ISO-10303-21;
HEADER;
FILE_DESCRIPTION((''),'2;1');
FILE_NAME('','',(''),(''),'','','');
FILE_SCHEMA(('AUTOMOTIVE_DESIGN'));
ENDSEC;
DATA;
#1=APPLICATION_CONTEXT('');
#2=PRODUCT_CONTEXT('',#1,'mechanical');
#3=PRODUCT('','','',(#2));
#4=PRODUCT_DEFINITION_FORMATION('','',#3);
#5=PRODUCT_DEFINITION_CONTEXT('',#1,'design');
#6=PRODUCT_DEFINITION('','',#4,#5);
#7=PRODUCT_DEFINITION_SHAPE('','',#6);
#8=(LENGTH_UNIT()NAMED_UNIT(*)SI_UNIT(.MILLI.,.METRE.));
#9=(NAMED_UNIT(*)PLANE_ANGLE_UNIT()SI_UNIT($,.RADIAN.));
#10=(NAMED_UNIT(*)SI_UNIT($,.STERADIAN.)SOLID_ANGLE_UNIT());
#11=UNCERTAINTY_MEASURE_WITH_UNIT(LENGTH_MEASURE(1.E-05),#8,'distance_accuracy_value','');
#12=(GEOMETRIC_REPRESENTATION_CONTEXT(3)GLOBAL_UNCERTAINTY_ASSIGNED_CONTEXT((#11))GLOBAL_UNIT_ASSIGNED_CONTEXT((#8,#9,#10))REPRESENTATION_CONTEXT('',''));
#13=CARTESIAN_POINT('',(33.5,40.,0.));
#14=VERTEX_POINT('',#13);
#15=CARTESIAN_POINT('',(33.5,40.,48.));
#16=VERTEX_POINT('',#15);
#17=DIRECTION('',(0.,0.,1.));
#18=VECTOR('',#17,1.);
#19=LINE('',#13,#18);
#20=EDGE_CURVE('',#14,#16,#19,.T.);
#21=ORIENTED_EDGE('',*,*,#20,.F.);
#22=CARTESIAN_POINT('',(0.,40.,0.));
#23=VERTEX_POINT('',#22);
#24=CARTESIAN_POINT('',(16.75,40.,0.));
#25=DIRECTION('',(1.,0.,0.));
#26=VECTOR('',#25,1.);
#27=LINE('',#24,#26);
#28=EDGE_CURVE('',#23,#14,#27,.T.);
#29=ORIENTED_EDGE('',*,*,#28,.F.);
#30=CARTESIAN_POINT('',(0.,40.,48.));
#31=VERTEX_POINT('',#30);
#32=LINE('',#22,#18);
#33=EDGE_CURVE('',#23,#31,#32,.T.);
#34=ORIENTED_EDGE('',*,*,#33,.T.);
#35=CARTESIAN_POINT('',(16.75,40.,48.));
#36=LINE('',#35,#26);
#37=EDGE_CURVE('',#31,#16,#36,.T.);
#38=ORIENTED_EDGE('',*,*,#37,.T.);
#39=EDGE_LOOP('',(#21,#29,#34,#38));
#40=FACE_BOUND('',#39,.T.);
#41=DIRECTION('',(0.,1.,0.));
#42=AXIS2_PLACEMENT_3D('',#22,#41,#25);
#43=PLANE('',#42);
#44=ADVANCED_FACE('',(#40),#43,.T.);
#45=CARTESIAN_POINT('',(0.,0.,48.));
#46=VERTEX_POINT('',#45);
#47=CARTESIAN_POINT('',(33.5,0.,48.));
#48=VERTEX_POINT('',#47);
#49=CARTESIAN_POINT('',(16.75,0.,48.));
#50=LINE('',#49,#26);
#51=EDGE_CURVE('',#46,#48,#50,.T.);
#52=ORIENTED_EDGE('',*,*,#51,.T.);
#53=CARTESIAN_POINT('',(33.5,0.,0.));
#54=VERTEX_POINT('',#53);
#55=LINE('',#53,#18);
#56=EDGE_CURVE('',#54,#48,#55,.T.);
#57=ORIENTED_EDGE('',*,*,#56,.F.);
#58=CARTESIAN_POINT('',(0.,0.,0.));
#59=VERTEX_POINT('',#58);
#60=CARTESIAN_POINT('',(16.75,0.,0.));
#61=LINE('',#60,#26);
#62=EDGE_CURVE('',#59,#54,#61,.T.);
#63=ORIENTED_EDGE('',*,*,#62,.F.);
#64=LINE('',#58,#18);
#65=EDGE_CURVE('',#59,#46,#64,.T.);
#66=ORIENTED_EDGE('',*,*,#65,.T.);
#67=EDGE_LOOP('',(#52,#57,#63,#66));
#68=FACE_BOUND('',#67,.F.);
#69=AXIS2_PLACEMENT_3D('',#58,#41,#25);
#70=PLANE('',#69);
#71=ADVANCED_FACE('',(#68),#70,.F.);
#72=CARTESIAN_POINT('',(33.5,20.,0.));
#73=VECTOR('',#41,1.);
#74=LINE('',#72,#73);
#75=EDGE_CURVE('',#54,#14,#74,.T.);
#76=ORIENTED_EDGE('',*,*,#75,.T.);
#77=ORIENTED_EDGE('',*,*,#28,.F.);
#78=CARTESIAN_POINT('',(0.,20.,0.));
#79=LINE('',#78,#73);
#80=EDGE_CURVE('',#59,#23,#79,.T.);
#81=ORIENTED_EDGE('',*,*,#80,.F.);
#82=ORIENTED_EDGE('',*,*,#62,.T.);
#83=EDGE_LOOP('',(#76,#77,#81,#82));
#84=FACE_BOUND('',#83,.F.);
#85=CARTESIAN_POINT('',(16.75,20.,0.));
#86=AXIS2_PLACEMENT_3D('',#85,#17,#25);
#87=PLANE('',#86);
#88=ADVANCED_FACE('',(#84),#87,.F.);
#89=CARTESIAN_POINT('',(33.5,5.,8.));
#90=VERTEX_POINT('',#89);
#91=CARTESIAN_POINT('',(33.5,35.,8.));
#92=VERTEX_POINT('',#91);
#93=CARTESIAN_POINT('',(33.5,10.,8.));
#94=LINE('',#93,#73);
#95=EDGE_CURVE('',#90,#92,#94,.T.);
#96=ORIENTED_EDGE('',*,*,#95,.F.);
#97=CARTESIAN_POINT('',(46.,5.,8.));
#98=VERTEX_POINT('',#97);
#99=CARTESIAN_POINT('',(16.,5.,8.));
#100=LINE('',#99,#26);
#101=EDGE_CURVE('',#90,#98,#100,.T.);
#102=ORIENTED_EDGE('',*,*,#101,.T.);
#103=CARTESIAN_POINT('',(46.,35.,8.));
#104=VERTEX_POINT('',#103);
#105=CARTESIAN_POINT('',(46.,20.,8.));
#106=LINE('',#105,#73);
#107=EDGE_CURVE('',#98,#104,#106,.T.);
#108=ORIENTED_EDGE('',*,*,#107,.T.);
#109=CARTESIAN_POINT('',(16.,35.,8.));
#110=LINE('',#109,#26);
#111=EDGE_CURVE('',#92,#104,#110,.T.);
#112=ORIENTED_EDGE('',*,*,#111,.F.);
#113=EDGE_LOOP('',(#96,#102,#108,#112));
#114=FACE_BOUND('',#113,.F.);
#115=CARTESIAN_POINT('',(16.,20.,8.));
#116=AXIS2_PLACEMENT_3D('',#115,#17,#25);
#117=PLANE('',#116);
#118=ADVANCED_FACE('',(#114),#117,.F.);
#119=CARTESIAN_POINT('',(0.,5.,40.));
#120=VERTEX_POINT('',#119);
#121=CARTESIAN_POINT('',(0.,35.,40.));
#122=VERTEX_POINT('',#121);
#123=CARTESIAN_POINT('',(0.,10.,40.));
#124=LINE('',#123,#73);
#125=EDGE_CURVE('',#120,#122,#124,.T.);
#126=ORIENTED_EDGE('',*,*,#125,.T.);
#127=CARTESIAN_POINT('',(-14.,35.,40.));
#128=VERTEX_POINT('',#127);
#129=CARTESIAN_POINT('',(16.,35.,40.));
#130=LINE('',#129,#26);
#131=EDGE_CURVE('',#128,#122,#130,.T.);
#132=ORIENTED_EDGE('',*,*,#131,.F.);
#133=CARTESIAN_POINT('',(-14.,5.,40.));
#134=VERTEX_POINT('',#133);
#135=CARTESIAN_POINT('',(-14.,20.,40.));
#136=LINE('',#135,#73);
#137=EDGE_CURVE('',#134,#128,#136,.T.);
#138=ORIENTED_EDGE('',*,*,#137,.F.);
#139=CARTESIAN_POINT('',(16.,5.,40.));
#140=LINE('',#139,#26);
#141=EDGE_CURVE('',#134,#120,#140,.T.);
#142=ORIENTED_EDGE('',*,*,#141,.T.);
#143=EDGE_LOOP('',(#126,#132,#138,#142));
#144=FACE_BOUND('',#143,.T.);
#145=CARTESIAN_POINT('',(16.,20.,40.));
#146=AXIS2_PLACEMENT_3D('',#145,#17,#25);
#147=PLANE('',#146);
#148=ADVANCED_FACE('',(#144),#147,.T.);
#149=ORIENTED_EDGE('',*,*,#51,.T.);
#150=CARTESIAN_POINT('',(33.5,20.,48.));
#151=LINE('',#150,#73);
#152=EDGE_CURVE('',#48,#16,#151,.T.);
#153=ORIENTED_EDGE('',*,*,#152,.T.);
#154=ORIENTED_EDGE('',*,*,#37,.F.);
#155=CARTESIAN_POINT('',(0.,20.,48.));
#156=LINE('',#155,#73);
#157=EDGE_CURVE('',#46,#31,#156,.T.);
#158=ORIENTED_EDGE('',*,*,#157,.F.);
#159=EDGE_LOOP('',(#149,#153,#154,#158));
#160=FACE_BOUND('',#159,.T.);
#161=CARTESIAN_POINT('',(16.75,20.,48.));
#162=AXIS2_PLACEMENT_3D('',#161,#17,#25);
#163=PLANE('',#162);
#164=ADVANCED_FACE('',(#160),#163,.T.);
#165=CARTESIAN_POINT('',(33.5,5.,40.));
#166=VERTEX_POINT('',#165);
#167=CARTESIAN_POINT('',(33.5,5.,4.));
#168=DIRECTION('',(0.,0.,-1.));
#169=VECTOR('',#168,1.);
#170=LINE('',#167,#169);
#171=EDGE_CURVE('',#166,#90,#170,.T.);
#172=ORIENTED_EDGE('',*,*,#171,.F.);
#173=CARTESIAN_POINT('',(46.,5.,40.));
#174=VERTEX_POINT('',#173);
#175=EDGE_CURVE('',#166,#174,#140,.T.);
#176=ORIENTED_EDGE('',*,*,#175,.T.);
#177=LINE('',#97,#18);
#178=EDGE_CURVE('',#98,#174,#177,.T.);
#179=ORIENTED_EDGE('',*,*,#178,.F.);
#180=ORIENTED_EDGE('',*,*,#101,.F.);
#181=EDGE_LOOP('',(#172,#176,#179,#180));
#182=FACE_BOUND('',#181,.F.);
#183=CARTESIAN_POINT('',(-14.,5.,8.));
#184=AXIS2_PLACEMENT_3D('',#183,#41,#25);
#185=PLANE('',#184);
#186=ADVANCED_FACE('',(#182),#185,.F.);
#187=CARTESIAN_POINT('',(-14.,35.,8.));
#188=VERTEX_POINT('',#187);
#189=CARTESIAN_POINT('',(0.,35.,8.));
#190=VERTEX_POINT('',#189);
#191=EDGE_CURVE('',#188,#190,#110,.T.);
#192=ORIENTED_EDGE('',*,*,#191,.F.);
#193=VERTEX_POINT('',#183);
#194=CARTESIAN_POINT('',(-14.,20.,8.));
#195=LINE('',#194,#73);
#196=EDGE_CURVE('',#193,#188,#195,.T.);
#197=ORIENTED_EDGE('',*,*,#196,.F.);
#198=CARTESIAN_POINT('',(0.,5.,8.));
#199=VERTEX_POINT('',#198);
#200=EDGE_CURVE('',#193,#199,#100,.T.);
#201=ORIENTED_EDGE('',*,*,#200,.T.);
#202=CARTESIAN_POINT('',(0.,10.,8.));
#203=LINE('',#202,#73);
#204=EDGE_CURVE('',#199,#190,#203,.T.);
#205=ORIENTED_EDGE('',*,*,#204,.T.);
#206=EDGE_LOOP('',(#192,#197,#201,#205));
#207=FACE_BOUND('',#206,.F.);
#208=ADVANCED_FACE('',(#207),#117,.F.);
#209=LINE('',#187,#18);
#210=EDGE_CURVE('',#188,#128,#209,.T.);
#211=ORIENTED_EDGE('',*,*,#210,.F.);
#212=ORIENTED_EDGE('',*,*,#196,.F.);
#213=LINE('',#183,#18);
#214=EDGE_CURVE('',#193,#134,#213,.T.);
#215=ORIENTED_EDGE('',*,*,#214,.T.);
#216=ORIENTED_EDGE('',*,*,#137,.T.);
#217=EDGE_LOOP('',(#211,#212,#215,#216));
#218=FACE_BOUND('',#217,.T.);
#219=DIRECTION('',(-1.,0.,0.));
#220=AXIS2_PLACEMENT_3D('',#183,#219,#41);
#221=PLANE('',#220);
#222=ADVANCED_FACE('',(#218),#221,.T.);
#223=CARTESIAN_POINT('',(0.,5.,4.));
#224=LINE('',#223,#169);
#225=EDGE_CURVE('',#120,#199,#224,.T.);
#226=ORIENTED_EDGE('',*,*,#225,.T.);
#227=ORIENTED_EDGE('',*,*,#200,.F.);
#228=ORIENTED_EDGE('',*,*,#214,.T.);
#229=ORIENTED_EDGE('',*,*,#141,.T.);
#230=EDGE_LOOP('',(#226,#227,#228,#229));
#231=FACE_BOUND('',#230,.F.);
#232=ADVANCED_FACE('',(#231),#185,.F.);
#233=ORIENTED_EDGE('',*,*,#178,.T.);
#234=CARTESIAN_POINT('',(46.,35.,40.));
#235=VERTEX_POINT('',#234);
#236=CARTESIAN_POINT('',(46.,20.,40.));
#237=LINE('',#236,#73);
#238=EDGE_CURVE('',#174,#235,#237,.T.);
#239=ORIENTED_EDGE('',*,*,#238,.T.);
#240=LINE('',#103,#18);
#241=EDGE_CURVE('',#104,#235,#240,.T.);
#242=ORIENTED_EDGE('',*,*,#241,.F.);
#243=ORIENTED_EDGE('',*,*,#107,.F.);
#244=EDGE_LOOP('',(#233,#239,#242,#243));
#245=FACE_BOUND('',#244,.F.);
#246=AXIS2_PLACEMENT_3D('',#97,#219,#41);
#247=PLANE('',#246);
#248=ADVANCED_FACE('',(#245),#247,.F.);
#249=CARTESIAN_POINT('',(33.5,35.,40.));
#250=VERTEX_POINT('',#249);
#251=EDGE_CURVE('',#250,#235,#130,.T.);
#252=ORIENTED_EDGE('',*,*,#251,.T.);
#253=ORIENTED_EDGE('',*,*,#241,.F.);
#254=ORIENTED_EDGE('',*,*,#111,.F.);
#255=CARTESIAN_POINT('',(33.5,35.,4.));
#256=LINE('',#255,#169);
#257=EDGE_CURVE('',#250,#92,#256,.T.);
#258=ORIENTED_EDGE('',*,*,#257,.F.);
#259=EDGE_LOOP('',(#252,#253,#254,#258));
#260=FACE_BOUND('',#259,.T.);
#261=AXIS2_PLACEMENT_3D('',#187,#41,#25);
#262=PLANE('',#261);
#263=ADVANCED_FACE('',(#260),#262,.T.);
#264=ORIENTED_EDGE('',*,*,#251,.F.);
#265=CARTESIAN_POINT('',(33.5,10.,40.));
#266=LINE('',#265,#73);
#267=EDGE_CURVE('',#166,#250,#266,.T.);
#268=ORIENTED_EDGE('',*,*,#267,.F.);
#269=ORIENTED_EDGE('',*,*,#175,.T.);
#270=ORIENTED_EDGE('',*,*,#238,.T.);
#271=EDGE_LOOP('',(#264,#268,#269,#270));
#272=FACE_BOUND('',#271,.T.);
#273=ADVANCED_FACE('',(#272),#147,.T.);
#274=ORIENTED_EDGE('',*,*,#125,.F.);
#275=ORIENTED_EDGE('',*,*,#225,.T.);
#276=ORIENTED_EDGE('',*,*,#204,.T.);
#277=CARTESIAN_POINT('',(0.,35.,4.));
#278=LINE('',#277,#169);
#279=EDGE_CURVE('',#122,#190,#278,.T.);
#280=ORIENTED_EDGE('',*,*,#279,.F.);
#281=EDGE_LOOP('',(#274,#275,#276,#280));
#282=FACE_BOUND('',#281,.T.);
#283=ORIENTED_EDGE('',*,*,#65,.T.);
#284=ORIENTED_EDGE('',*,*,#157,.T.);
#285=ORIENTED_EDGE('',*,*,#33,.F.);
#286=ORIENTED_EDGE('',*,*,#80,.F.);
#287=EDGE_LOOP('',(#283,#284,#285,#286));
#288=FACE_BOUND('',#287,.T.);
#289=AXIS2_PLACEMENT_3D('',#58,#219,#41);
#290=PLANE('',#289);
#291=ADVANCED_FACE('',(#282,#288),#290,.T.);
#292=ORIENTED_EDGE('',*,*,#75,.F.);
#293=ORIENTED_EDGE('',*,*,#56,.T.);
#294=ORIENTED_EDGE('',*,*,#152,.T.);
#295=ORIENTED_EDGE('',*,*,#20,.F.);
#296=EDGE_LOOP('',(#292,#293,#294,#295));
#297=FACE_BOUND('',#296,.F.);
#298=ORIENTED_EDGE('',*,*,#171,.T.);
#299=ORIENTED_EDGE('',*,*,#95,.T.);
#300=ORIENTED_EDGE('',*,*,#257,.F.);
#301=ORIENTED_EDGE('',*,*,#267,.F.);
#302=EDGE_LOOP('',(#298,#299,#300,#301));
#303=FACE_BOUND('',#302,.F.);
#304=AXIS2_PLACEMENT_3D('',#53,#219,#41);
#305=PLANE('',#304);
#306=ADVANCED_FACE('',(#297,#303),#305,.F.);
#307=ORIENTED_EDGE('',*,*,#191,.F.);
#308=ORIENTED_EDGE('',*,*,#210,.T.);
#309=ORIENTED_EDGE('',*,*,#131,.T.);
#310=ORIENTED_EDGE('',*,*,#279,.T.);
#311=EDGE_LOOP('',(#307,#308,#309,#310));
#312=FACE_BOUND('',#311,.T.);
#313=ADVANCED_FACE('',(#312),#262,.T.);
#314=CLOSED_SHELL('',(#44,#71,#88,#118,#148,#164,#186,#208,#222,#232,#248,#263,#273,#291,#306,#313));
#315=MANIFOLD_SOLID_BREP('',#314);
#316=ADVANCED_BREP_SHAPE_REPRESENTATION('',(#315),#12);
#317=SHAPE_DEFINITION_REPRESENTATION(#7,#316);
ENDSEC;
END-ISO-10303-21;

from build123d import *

# Parameters (mm, degrees)
BOX001_W     = 60
BOX001_H     = 30
BOX001_DEPTH = 32
BOX_W        = 33.5
BOX_H        = 40
BOX_DEPTH    = 48


with BuildPart() as box001:
    # Box001 → Box001 (new body)
    with BuildSketch(Plane(origin=(-14, 5, 8), x_dir=(1, 0, 0), z_dir=(0, 0, 1))):
        with Locations((30, 15)):
            Rectangle(BOX001_W, BOX001_H)
    extrude(amount=BOX001_DEPTH)


with BuildPart() as tfusion:
    # Box → Box (new body)
    with BuildSketch(Plane.XY):
        with Locations((16.75, 20)):
            Rectangle(BOX_W, BOX_H)
    extrude(amount=BOX_DEPTH)

    # Fusion: union Box001
    add(box001.part)


solid = tfusion.part
